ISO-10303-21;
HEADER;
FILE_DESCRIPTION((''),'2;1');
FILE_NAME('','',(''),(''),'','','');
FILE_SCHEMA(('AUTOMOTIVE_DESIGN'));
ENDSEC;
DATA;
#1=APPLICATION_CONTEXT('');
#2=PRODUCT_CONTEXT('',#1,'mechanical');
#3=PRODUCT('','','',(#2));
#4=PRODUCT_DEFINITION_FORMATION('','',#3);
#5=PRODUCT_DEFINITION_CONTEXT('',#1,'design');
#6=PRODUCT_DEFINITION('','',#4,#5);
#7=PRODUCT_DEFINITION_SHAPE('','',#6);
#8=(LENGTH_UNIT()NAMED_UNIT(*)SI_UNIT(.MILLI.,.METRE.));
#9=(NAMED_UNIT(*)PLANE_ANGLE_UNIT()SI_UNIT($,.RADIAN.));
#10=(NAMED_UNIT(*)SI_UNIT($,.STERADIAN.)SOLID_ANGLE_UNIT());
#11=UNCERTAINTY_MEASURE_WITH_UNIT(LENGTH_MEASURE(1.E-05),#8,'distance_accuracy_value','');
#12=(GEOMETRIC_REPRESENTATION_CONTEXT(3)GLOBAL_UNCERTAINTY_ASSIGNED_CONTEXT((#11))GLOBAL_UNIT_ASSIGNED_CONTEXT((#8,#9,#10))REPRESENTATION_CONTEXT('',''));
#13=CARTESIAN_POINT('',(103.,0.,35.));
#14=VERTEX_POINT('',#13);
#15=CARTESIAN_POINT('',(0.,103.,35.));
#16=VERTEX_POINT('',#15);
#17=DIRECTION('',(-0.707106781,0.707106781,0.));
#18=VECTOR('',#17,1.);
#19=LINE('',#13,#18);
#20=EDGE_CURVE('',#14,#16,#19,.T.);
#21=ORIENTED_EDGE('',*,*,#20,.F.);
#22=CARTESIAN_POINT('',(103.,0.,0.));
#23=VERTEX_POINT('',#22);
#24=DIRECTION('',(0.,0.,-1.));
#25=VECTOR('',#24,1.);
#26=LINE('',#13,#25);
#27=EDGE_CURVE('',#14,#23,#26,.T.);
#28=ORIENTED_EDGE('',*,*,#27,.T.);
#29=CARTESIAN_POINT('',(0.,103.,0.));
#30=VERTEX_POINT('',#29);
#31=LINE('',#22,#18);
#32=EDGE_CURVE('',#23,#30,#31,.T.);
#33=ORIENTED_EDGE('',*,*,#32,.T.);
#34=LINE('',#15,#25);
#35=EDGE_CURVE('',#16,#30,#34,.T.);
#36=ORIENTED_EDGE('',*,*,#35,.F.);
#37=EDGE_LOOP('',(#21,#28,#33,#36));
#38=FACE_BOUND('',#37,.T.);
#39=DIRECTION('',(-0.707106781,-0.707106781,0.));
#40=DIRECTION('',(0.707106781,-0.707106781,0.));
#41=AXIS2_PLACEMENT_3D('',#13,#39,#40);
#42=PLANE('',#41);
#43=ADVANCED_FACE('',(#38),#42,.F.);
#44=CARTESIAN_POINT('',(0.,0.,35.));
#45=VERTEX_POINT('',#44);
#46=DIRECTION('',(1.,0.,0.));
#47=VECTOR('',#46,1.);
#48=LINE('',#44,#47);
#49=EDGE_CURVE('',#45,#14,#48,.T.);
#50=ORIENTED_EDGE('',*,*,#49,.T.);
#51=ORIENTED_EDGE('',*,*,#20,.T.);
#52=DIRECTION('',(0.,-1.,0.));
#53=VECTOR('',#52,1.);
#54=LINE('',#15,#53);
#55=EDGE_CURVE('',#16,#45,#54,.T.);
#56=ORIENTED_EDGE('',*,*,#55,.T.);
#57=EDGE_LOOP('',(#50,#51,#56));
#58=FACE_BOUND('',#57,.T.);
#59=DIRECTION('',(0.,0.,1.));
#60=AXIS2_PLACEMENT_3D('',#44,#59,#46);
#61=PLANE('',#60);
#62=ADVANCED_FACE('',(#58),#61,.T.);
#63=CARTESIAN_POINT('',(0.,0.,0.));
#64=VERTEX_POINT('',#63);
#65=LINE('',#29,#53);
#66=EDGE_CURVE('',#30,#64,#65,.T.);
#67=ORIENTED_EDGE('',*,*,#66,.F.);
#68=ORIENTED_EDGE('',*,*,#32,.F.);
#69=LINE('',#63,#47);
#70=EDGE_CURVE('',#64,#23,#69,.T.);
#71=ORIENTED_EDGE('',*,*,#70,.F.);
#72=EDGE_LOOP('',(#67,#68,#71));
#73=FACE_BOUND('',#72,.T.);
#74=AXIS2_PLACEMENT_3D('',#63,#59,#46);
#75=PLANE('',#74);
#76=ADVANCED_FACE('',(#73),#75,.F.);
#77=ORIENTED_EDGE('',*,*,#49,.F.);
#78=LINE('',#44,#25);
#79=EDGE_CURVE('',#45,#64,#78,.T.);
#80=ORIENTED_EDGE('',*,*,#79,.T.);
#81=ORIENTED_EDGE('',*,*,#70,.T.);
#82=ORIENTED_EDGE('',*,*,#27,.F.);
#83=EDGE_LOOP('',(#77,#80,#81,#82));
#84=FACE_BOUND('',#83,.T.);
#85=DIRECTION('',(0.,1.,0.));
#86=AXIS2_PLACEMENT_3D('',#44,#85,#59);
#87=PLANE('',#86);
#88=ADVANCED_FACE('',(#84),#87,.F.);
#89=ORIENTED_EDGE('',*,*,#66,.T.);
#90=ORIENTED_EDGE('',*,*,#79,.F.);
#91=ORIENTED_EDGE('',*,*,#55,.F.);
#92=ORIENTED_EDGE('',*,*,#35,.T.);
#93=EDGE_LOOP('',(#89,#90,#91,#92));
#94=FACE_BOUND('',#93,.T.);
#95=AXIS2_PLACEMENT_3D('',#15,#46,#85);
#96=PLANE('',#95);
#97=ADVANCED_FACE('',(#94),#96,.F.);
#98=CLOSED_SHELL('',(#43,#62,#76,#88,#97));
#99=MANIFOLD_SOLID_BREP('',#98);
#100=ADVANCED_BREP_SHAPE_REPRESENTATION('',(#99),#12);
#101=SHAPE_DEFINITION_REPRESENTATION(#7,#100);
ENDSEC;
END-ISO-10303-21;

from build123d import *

# Parameters (mm, degrees)
BOSS_EXTRUDE1_DEPTH = 35


with BuildPart() as part:
    # Sketch3 → Boss-Extrude1 (new body)
    with BuildSketch(Plane.XY):
        Polygon((0, 0), (103, 0), (0, 103), align=None)
    extrude(amount=BOSS_EXTRUDE1_DEPTH)


solid = part.part
